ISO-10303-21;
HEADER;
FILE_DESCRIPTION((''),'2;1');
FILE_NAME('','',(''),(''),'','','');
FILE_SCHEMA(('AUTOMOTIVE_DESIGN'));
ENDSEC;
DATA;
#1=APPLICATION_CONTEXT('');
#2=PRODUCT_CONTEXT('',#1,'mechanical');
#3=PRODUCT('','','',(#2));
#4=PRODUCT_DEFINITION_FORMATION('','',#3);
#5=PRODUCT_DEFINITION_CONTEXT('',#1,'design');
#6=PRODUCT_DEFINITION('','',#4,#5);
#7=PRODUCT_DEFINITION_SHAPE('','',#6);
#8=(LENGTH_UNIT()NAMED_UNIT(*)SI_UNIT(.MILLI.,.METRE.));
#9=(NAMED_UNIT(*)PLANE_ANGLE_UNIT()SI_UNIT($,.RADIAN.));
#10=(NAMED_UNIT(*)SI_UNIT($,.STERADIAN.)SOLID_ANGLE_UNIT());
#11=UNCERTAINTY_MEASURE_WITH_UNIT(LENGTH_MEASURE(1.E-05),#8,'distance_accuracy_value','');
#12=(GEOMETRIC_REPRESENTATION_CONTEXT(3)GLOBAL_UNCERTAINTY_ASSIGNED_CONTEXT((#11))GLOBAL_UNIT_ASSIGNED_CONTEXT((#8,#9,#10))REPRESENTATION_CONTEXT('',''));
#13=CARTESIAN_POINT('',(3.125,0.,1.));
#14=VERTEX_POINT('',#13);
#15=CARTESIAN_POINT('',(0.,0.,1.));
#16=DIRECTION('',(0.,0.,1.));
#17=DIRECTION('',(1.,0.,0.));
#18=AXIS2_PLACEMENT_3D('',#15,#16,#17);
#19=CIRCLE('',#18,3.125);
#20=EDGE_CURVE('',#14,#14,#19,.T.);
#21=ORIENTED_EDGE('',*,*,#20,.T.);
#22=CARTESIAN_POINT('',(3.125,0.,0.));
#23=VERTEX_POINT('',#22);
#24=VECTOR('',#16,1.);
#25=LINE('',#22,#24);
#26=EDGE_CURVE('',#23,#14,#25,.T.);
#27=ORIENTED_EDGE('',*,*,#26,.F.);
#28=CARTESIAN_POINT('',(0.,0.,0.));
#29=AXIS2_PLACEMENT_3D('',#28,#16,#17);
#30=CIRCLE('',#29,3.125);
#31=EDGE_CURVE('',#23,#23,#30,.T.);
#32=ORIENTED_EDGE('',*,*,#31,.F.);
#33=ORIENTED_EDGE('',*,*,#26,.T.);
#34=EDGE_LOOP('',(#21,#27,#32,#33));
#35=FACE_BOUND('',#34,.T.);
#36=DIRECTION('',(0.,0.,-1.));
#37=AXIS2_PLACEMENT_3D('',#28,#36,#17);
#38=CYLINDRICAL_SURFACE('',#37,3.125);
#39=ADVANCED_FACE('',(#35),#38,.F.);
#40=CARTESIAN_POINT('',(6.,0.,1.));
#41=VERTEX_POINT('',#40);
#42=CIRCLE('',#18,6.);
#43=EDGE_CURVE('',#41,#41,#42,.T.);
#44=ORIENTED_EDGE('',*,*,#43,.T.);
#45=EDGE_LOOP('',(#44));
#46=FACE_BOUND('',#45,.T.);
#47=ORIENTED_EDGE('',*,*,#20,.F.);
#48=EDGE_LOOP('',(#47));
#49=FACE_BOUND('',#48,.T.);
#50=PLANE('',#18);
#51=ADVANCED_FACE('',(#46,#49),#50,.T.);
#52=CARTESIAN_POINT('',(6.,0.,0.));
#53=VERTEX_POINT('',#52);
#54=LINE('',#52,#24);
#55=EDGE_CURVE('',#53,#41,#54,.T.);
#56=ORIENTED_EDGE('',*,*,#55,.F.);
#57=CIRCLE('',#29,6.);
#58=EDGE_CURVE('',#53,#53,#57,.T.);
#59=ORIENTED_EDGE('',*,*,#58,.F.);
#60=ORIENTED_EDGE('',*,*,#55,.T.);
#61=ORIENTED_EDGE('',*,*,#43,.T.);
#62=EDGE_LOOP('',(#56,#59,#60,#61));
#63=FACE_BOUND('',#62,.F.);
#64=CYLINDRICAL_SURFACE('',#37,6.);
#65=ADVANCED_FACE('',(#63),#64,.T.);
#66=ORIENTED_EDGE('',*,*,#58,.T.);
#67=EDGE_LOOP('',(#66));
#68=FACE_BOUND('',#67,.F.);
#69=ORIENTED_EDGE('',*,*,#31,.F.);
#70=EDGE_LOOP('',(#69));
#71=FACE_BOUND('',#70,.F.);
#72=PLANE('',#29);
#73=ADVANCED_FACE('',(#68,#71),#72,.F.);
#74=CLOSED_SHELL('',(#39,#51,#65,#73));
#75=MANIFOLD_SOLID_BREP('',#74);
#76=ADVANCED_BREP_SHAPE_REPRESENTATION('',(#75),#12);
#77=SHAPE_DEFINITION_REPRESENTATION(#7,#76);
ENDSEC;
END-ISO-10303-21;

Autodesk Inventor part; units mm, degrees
ref_plane "YZ Plane" through (0, 0, 0) normal (1, 0, 0) x (0, 1, 0)
ref_plane "XZ Plane" through (0, 0, 0) normal (0, 1, 0) x (-1, 0, 0)
ref_plane "XY Plane" through (0, 0, 0) normal (0, 0, 1) x (1, 0, 0)
sketch "スケッチ1" plane through (0, 0, 0) normal (0, 0, 1) x (1, 0, 0)
  circle A0 centre (0, 0) radius 3.125
  circle A1 centre (0, 0) radius 6
  dimension "d0" = 6.25
  dimension "d1" = 12
extrude "押し出し1" add sketch "スケッチ1" along normal blind 1
properties part number "TT-0612-10" material "고무, 실리콘"
